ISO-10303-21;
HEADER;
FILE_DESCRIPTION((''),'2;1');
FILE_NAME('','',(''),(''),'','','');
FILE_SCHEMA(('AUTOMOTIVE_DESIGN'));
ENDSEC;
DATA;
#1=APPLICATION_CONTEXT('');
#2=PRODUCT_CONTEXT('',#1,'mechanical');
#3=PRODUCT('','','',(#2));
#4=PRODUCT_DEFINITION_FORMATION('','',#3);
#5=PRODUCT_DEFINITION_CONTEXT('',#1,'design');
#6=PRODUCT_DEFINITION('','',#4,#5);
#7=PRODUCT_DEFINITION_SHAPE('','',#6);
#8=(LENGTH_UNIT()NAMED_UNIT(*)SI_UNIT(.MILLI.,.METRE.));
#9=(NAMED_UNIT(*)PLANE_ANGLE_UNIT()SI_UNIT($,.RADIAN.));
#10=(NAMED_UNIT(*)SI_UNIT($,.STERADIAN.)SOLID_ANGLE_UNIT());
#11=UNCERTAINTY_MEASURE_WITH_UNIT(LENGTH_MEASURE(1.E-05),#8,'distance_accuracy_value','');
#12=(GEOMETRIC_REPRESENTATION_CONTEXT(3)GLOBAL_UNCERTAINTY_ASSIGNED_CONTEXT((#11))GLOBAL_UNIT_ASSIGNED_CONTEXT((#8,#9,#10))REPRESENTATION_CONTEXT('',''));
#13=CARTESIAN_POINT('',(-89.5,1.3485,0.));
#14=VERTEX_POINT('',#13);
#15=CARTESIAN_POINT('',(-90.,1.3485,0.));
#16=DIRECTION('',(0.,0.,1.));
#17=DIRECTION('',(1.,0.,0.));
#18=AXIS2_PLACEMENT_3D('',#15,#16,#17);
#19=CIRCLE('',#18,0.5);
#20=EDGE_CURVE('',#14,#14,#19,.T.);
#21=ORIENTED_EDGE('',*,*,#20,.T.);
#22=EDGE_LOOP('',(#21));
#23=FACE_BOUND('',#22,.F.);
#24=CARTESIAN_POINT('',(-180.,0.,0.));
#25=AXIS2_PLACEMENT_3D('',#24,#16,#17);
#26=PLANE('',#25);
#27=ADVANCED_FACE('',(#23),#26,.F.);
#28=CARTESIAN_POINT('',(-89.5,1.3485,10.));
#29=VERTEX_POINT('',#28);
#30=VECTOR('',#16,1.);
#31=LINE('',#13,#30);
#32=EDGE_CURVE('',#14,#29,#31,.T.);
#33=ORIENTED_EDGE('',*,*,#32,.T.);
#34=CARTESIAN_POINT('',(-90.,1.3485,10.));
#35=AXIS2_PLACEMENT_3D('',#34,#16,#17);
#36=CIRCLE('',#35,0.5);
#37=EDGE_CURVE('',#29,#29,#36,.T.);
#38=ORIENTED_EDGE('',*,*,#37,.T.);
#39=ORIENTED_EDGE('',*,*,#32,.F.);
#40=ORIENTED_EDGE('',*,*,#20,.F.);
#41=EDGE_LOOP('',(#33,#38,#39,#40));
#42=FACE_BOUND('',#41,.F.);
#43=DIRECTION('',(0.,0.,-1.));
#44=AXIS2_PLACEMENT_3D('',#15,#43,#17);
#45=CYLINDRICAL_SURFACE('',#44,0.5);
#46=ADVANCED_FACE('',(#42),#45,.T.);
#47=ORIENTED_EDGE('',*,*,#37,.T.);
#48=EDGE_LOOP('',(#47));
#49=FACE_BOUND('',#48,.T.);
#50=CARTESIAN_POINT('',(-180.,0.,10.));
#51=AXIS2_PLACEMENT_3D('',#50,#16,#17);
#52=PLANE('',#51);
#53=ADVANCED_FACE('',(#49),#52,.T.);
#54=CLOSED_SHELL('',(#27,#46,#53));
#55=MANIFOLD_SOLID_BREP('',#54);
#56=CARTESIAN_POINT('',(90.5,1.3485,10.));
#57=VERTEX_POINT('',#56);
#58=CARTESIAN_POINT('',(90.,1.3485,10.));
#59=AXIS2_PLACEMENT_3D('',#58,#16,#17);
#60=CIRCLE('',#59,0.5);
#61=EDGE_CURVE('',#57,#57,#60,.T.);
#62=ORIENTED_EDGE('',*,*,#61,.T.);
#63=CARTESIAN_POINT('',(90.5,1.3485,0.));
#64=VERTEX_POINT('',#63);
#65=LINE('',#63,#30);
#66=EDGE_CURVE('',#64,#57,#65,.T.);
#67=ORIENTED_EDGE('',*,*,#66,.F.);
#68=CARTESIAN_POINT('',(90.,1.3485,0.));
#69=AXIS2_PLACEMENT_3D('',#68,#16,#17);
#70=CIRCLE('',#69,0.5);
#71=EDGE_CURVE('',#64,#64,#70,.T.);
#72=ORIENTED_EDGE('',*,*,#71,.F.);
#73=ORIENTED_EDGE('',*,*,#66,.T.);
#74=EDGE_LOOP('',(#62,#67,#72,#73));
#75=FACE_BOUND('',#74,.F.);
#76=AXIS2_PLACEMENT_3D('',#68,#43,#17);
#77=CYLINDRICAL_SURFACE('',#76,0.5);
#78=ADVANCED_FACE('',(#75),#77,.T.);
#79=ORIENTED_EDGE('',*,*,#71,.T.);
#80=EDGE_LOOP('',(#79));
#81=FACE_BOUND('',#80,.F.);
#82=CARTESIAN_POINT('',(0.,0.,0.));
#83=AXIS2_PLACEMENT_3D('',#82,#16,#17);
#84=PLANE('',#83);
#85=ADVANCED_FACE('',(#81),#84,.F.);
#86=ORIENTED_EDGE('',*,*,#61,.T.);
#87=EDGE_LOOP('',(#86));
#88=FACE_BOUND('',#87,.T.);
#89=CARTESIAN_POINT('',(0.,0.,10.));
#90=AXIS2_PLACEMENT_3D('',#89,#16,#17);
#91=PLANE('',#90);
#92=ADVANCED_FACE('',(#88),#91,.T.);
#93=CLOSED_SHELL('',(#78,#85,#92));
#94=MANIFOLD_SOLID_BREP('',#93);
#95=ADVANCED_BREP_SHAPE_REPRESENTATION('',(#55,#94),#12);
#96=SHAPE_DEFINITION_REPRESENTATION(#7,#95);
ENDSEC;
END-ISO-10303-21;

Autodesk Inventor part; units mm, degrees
ref_plane "YZ Plane" through (0, 0, 0) normal (1, 0, 0) x (0, 1, 0)
ref_plane "XZ Plane" through (0, 0, 0) normal (0, 1, 0) x (-1, 0, 0)
ref_plane "XY Plane" through (0, 0, 0) normal (0, 0, 1) x (1, 0, 0)
sketch "Sketch1" plane through (0, 0, 0) normal (0, 0, 1) x (1, 0, 0)
  line L0 (-150, -9) -> (150, -9)
  line L1 (150, -9) -> (150, 9)
  line L2 (150, 9) -> (-150, 9)
  line L3 (-150, 9) -> (-150, -9)
  line L4 (-150, -9) -> (150, 9) construction
  line L5 (150, -9) -> (-150, 9) construction
  point P0 (0, 0)
  dimension "d0" = 300
  dimension "d1" = 18
sketch "Lamello" plane through (0, 0, 0) normal (0, 0, 1) x (1, 0, 0)
  line L0 (48.383, 141.1858) -> (42.783, 141.1858)
  line L1 (40.583, 139.6858) -> (40.583, 114.6858)
  line L2 (42.783, 113.1858) -> (48.383, 113.1858)
  line L3 (50.583, 114.6858) -> (50.583, 139.6858)
  line L4 (50.583, 139.6858) -> (48.383, 141.1858)
  line L5 (40.583, 139.6858) -> (42.783, 141.1858)
  line L6 (40.583, 114.6858) -> (42.783, 113.1858)
  line L7 (50.583, 114.6858) -> (48.383, 113.1858)
  line L8 (50.583, 127.1858) -> (40.583, 127.1858)
  line L9 (45.583, 141.1858) -> (45.583, 113.1858)
  point P0 (45.583, 127.1858)
  point P1 (50.583, 141.1858)
  point P2 (40.583, 113.1858)
  point P3 (40.583, 141.1858)
  point P4 (50.583, 113.1858)
  dimension "d54" = 10
  dimension "d55" = 28
  dimension "d56" = 1.5
  dimension "d57" = 2.2
  dimension "d58" = 1.5
  dimension "d59" = 2.2
  dimension "d60" = 1.5
  dimension "d61" = 2.2
  dimension "d62" = 1.5
  dimension "d63" = 2.2
sketch "Sketch2" plane through (0, 0, 0) normal (0, 0, 1) x (1, 0, 0)
  circle A0 centre (90, 1.3485) radius 0.5
  line L0 (150, 9) -> (-150, 9) projected
  line L1 (-150, -9) -> (150, -9) projected
  line L2 (0, -79.0441) -> (0, 104.5031) projected
  line L3 (150, -9) -> (150, 9) projected
  point P0 (0, 0)
  dimension "d4" = 1
  dimension "d50" = 7.6515
  dimension "d70" = 60
extrude "Extrusion1" add sketch "Sketch2" along normal blind 10 contours A0
pattern_linear "Clamex Array" count 2 spacing 180 along (-1, 0, 0) of "Extrusion1"
sketch "Edge-Side Connection" plane through (0, 0, 0) normal (1, 0, 0) x (0, 1, 0)
  line L0 (-50, 0) -> (50, 0)
  line L1 (50, 0) -> (50, 18)
  line L2 (50, 18) -> (-50, 18)
  line L3 (-50, 18) -> (-50, 0)
  line L4 (-9, 0) -> (60.282, -40)
  line L5 (60.282, -40) -> (78.282, -40)
  line L6 (78.282, -40) -> (9, 0)
  line L7 (8.5502, -14) -> (8.5502, 14) construction
  line L8 (9, 0) -> (13.5502, 0)
  line L9 (3.5502, -12.5) -> (5.8253, -8.5594)
  point P0 (0, 0)
  point P1 (9, 0)
  point P2 (0, 0)
  dimension "d26" = 100
  dimension "d27" = 18
  dimension "d28" = 40
  dimension "OtherSideRefYCoordinate" = 17.5502
  dimension "ReferenceCoord" = 0.4498
  dimension "d49" = 30
sketch "Edge-Edge Connection" plane through (0, 0, 0) normal (1, 0, 0) x (0, 1, 0)
  line L0 (-52.8231, 18) -> (67.1769, 18)
  line L1 (67.1769, 18) -> (0, 0)
  line L2 (0, 0) -> (-52.8231, 0)
  line L3 (-52.8231, 0) -> (-52.8231, 18)
  line L4 (67.1769, 18) -> (-36.7461, -42)
  line L5 (0, 0) -> (-45.7461, -26.4115)
  line L6 (-45.7461, -26.4115) -> (-36.7461, -42)
  line L7 (2.5611, 0.6863) -> (0, 0)
  line L8 (8.9852, 15.3485) -> (8.9852, 18)
  point P0 (7.3908, 1.9803)
  dimension "d51" = 18
  dimension "d53" = 18
  dimension "EdgeEdgeReferenceCoord" = 7.6515
  dimension "d65" = 30
  dimension "d66" = 120
  dimension "d67" = 120
  dimension "EdgeEdgeOtherSideRefYCoordinate" = 61.8952
equation "\"d9\" = Step"
equation "\"d27\" = NestleBoardT"
equation "\"d0\" = ContactPatchWidth"
equation "\"d1\" = ContactPatchHeight"
equation "\"ContactPatchWidth\" = 300"
equation "\"ContactPatchHeight\" = 18"
equation "\"MinDistBetween\" = 96"
equation "\"Step\" = 180"
equation "\"Y_Coord\" = 7.65148"
equation "\"NestleBoardT\" = 18"
equation "\"PillarBoardT\" = 18"
equation "\"AngleForYPositionCalc\" = 30deg"
equation "\"ConnectionAngle\" = 30deg"
equation "\"ShiftY\" = 0"
properties part number "Minfix&Dowel Joint"
